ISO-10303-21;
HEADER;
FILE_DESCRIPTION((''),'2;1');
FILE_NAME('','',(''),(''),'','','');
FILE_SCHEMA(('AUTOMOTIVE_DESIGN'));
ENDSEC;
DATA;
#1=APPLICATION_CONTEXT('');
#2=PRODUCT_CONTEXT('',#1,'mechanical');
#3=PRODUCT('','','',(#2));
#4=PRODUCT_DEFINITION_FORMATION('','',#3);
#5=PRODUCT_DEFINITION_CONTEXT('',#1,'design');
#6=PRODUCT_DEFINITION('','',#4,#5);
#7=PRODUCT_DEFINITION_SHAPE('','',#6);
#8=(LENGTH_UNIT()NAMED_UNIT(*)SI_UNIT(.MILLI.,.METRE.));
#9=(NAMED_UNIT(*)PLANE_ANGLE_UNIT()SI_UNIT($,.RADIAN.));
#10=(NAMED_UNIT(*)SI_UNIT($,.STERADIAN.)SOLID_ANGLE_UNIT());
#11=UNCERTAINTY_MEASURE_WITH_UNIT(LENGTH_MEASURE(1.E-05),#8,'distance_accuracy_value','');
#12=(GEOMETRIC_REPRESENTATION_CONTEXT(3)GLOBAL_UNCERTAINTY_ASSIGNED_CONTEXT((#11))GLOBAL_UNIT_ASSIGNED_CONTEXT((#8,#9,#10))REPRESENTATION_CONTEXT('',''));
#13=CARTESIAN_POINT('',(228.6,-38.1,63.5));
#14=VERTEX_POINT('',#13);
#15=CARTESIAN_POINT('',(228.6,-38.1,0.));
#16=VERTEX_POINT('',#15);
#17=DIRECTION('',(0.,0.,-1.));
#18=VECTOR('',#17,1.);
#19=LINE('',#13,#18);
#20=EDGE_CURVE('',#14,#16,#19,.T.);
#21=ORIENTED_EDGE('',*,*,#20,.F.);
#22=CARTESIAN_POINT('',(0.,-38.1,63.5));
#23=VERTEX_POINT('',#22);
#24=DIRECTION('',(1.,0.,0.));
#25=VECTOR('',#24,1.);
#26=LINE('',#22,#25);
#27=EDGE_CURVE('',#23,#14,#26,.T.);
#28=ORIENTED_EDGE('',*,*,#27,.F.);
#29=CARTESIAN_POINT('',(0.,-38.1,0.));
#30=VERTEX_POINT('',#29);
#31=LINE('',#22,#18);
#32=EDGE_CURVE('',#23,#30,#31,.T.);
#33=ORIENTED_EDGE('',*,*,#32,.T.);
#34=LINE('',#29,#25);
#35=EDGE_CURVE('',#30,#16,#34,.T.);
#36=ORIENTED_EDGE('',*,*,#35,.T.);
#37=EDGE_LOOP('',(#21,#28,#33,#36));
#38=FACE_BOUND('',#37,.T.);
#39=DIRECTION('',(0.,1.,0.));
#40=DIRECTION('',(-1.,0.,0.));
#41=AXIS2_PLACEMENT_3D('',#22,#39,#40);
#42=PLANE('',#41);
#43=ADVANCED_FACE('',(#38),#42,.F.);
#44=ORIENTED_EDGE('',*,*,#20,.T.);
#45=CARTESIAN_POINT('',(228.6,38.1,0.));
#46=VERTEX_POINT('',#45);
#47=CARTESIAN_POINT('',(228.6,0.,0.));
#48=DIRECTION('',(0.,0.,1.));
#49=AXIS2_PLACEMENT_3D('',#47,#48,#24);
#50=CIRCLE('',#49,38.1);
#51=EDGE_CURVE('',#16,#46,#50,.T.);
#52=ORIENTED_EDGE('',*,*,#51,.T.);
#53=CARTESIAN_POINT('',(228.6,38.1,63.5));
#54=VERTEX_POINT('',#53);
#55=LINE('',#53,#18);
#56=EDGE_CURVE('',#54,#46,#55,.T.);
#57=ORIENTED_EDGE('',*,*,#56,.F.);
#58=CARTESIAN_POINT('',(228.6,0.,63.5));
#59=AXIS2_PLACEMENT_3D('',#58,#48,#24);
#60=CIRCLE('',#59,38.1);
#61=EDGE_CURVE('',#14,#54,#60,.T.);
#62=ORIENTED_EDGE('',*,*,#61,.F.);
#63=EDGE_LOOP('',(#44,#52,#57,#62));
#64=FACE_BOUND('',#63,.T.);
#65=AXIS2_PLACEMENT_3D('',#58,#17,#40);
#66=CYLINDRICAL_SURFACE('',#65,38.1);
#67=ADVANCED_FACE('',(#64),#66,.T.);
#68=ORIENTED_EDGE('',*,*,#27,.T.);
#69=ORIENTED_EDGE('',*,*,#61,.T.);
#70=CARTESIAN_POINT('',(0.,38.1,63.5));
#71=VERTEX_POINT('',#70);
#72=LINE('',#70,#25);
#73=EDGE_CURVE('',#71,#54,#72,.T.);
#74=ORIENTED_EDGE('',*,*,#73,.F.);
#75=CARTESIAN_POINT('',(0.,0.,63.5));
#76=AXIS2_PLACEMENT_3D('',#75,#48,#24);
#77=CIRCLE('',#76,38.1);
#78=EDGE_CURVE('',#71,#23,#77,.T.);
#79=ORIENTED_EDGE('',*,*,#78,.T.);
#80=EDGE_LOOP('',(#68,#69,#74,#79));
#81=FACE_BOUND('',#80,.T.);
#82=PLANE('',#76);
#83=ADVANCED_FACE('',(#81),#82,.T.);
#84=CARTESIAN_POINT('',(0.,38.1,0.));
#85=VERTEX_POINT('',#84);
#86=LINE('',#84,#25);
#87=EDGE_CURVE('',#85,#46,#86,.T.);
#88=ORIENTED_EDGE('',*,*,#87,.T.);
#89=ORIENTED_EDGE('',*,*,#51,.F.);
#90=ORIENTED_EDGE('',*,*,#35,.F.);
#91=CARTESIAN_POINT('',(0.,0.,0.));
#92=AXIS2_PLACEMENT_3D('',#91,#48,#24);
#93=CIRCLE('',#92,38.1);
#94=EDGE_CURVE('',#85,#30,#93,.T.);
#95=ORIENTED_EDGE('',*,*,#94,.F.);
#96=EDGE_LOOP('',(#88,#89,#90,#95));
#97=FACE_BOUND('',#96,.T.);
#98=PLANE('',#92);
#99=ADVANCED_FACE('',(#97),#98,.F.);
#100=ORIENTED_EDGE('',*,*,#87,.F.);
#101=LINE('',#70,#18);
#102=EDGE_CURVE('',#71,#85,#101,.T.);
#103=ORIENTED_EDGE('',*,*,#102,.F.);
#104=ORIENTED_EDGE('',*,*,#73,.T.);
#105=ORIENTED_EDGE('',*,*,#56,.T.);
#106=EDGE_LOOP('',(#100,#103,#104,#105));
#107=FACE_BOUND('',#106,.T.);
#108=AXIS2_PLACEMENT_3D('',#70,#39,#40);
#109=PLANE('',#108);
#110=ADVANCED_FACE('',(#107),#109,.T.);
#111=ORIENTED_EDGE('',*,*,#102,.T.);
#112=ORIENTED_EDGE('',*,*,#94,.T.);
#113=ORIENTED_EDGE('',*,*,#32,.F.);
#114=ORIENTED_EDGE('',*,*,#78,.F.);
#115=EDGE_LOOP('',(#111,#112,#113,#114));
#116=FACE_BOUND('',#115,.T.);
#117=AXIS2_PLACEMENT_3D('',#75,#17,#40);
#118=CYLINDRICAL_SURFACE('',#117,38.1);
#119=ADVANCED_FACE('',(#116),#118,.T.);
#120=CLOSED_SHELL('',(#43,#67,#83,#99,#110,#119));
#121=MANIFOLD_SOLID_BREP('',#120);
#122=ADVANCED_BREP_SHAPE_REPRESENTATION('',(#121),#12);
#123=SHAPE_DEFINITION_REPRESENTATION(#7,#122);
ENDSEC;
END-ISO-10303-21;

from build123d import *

# Parameters (mm, degrees)
BOSS_EXTRUDE1_DEPTH = 63.5


with BuildPart() as part:
    # Sketch1 → Boss-Extrude1 (new body)
    with BuildSketch(Plane.XY):
        with BuildLine():
            Line((0, 38.1), (228.6, 38.1))
            ThreePointArc((228.6, 38.1), (266.7, 0), (228.6, -38.1))
            Line((228.6, -38.1), (0, -38.1))
            ThreePointArc((0, -38.1), (-38.1, 0), (0, 38.1))
        make_face()
    extrude(amount=BOSS_EXTRUDE1_DEPTH)


solid = part.part
